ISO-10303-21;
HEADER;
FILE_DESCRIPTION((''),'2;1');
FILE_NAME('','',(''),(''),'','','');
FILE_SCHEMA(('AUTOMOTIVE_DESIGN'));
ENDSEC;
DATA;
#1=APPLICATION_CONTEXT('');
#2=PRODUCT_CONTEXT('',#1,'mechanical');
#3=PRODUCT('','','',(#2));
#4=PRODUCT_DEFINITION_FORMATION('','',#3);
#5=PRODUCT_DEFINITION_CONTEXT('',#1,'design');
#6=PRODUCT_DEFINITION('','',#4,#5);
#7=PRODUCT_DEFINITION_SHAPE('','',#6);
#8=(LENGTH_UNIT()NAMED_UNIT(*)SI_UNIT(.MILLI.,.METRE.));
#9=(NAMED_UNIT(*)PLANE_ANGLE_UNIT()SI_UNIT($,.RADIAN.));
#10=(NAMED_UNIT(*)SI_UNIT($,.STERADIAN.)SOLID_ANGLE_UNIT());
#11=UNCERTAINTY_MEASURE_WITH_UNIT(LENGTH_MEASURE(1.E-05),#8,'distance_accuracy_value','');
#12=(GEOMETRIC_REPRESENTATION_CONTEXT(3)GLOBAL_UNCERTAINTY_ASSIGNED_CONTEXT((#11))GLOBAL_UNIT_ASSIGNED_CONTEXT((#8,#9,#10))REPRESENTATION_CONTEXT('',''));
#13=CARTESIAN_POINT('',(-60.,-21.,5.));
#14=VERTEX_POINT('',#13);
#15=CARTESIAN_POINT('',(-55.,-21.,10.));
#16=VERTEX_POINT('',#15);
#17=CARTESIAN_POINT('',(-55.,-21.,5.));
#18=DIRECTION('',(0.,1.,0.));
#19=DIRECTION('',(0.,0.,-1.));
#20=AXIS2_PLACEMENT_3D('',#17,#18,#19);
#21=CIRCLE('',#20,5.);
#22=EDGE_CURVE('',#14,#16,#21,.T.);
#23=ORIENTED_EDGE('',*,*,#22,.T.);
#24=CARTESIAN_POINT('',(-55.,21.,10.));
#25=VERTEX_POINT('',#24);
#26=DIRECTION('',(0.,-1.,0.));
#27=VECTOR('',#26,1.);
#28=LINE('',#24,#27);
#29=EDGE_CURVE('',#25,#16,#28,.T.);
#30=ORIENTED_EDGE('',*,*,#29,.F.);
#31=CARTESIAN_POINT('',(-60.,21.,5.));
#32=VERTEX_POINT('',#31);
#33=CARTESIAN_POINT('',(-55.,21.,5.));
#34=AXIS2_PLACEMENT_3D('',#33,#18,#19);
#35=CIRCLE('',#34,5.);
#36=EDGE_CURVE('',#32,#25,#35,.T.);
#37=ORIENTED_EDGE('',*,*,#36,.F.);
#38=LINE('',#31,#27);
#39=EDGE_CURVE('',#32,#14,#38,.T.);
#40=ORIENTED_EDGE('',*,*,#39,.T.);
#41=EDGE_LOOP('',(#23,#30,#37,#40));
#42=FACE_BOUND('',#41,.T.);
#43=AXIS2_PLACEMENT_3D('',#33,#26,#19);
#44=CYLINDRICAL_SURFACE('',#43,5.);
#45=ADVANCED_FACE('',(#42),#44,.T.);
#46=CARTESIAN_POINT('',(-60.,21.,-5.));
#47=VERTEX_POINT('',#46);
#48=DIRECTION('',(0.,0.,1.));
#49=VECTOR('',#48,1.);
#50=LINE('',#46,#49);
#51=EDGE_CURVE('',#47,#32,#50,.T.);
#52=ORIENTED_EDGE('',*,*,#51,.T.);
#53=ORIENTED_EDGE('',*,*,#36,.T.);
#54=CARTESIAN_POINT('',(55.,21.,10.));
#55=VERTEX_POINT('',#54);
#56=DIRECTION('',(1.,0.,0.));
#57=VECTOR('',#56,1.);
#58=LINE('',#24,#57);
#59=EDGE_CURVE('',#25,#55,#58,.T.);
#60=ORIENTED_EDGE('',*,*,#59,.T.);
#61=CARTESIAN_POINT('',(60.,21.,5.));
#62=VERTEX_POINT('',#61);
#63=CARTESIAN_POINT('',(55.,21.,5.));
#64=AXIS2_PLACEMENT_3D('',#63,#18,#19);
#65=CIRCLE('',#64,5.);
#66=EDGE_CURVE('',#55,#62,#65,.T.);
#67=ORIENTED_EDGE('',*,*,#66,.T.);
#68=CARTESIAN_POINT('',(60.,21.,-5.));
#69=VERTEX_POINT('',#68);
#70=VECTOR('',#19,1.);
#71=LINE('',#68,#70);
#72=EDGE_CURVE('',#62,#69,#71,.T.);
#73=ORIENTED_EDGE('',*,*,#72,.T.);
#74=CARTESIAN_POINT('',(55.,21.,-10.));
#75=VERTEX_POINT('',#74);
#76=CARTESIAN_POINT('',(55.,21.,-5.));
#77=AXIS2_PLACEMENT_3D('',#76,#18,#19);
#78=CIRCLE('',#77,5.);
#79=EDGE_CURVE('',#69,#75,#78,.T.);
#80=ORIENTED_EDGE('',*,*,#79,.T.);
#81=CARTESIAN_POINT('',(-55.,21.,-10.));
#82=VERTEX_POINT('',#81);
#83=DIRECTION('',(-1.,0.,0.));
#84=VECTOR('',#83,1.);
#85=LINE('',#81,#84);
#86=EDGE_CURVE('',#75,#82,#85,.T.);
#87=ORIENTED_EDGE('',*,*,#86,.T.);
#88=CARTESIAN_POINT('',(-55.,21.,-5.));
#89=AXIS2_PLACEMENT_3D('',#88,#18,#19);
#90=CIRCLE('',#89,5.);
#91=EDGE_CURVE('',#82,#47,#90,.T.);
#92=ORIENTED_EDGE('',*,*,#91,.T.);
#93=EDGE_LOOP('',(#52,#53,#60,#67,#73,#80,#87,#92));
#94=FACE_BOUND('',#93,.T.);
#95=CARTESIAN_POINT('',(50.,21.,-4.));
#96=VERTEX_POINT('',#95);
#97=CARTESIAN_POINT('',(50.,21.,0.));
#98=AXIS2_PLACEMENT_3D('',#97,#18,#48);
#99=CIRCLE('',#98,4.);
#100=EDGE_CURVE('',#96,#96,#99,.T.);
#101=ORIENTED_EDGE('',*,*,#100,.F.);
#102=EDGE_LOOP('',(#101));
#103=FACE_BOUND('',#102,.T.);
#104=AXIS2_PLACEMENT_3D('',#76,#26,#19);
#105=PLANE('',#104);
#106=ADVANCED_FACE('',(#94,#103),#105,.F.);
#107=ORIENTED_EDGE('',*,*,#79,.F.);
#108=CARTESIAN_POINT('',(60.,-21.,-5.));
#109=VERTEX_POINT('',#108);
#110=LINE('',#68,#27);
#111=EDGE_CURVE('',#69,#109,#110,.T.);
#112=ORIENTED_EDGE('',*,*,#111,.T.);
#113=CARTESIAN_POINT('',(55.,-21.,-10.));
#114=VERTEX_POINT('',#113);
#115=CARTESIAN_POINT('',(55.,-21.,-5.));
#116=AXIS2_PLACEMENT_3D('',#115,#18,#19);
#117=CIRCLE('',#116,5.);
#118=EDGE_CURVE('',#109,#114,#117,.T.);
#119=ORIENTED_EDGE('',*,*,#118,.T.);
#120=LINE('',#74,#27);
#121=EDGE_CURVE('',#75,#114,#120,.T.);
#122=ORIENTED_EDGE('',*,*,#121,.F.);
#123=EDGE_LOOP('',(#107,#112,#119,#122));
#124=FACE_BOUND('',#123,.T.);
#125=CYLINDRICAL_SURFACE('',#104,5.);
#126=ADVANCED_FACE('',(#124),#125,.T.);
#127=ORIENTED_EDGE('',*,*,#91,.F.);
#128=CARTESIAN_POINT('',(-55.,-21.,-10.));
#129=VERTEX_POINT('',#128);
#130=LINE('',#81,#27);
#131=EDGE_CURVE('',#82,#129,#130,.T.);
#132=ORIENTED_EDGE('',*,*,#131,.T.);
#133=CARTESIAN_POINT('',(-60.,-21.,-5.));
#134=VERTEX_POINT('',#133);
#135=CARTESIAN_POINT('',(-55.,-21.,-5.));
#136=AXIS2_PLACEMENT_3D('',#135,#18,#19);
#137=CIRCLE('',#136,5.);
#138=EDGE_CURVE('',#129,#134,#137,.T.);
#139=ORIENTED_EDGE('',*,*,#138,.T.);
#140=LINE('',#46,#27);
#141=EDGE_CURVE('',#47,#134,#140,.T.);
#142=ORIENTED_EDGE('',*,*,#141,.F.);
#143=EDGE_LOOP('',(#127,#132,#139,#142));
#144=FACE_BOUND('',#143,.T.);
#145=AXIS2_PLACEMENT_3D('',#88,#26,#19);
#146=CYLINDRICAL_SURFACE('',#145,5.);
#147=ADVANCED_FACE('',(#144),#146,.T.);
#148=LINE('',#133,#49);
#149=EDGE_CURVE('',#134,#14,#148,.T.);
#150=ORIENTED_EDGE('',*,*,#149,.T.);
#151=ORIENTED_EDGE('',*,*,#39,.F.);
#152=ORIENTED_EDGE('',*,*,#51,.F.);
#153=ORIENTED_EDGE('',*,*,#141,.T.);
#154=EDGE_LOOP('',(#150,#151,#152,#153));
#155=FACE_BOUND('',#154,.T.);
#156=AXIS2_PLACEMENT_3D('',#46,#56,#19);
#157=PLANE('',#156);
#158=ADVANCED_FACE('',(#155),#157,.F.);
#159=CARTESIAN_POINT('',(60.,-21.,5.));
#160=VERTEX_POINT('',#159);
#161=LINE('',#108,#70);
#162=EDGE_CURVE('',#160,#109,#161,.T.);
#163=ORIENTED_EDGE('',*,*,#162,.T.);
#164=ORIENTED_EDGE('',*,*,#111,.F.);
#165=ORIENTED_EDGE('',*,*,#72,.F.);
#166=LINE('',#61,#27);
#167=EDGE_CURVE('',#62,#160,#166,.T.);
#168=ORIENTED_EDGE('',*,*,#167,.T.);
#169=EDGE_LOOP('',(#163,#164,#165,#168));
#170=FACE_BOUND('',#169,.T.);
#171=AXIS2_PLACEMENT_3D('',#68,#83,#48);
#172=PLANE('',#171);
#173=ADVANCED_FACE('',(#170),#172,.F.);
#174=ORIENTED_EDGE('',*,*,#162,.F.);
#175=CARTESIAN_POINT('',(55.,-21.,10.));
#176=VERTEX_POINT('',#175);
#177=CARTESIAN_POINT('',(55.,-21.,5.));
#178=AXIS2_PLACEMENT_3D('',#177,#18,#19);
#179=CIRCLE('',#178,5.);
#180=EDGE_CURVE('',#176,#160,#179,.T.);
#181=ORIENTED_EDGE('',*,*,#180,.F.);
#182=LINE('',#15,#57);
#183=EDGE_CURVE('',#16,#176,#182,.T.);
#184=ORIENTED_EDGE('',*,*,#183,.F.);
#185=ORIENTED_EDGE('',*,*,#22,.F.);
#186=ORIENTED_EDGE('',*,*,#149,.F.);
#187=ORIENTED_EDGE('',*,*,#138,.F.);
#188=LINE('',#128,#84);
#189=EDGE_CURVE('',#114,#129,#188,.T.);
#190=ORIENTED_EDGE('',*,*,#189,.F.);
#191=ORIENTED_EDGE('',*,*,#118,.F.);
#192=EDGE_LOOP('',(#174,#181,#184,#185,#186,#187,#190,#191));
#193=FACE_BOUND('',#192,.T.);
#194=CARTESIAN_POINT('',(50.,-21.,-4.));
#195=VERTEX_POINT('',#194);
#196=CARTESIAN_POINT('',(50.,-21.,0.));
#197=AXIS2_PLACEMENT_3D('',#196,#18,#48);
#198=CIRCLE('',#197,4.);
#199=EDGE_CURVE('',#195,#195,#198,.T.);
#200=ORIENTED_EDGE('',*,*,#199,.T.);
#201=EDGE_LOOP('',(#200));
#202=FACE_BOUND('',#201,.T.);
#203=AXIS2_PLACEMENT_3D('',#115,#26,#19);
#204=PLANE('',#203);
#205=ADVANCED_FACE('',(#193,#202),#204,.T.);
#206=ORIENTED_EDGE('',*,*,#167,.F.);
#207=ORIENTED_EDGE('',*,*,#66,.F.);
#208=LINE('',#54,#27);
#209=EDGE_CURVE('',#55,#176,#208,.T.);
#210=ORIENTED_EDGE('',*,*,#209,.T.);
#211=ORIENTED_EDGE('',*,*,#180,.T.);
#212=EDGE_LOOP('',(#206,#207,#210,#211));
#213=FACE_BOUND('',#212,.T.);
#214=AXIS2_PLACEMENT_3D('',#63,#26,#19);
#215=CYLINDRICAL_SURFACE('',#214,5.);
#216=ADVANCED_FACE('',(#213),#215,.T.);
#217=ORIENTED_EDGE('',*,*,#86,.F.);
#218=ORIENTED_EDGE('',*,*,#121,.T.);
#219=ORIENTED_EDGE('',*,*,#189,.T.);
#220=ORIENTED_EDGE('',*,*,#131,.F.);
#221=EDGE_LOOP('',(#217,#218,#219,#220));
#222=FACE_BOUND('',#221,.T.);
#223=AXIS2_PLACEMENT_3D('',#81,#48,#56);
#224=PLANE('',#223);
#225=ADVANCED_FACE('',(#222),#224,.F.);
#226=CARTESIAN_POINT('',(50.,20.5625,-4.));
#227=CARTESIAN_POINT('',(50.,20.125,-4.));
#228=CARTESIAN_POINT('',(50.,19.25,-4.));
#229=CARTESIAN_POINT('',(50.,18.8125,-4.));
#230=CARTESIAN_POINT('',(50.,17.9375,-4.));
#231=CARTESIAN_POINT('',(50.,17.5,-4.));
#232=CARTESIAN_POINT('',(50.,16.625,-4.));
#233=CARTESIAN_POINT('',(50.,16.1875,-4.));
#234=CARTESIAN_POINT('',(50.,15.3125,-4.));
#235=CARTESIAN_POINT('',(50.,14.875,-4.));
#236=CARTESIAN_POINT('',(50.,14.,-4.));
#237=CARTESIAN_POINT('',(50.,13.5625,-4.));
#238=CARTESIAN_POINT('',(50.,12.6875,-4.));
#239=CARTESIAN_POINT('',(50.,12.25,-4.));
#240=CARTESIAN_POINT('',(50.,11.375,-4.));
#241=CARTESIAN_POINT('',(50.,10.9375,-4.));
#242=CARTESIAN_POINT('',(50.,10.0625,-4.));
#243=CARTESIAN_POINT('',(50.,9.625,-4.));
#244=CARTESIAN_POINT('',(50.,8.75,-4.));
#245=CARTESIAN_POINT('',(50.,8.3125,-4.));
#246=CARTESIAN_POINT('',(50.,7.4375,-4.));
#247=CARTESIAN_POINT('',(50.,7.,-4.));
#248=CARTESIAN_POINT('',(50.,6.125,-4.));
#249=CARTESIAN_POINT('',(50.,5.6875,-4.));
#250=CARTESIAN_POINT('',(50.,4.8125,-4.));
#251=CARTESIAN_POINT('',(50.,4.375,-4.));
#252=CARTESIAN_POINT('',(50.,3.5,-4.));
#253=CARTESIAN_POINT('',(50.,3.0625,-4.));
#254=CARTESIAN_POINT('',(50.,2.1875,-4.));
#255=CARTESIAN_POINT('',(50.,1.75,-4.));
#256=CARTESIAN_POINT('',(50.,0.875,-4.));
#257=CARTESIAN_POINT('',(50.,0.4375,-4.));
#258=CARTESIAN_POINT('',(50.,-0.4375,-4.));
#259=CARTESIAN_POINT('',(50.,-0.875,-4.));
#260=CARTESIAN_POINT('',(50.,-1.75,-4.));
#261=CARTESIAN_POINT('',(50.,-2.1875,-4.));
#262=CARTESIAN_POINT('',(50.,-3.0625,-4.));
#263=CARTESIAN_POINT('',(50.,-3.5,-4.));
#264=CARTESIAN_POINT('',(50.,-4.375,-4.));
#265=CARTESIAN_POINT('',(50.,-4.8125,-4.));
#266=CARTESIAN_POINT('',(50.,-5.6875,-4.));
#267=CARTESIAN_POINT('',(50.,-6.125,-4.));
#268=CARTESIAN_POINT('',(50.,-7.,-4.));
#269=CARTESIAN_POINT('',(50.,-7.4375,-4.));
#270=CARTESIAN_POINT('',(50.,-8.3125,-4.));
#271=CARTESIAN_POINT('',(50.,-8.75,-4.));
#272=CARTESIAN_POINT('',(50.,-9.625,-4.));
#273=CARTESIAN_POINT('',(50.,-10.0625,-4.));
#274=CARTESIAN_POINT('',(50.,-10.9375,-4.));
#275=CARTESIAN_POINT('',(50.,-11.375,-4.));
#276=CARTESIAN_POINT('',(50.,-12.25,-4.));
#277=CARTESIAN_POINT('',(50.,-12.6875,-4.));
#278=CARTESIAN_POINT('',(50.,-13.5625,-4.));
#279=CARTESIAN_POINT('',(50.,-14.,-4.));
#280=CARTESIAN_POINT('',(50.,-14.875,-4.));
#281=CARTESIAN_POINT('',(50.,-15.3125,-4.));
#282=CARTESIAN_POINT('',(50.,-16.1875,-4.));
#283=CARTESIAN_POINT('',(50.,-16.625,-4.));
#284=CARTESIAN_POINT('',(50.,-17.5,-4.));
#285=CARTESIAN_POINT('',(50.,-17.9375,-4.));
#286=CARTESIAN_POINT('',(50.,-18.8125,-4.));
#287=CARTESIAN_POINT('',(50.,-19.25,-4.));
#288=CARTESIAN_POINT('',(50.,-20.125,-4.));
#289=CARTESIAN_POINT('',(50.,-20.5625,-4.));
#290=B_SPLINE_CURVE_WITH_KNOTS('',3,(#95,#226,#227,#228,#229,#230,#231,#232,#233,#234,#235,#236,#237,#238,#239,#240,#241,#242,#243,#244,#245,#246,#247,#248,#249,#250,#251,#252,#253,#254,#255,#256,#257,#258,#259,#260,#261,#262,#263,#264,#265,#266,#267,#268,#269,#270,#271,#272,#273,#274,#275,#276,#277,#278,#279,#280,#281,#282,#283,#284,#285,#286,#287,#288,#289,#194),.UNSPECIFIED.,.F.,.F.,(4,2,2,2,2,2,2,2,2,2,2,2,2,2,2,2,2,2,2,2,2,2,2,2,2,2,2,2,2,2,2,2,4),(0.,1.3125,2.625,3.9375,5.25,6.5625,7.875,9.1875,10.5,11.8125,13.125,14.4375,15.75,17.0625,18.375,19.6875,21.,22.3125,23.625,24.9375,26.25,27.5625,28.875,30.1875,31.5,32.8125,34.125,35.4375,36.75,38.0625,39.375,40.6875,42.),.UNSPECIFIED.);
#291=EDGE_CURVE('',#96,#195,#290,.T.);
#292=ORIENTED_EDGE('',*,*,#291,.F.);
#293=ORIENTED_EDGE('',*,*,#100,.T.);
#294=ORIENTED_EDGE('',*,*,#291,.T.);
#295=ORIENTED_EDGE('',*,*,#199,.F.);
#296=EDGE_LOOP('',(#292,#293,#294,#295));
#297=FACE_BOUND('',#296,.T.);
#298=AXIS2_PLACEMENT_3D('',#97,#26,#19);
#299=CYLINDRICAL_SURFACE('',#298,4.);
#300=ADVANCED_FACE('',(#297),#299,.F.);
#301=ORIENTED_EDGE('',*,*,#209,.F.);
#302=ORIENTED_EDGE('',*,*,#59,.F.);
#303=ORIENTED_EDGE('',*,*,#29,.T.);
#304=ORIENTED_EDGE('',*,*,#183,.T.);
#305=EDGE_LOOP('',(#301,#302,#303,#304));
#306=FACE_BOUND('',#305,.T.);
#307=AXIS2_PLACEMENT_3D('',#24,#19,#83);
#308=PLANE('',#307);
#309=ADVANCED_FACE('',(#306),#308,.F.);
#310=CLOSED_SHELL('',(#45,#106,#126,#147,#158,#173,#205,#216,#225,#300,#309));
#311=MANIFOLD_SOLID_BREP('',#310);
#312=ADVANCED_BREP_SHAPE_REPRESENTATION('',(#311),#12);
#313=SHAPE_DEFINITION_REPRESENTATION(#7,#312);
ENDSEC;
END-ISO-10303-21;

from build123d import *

# Parameters (mm, degrees)
SKETCH_1_R      = 4
EXTRUDE_1_DEPTH = 21


with BuildPart() as part:
    # 草图1 → 凸台-拉伸1 (new, symmetric)
    with BuildSketch(Plane(origin=(0, 0, 0), x_dir=(1, 0, 0), z_dir=(0, 1, 0))):
        with BuildLine():
            Line((-55, 10), (55, 10))
            ThreePointArc((55, 10), (58.535533906, 8.535533906), (60, 5))
            Line((60, 5), (60, -5))
            ThreePointArc((60, -5), (58.535533906, -8.535533906), (55, -10))
            Line((55, -10), (-55, -10))
            ThreePointArc((-55, -10), (-58.535533906, -8.535533906), (-60, -5))
            Line((-60, -5), (-60, 5))
            ThreePointArc((-60, 5), (-58.535533906, 8.535533906), (-55, 10))
        make_face()
        with Locations(Location((50, 0, 0), (0, 0, 90))):
            Circle(SKETCH_1_R, mode=Mode.SUBTRACT)
    extrude(amount=EXTRUDE_1_DEPTH, both=True)


solid = part.part
